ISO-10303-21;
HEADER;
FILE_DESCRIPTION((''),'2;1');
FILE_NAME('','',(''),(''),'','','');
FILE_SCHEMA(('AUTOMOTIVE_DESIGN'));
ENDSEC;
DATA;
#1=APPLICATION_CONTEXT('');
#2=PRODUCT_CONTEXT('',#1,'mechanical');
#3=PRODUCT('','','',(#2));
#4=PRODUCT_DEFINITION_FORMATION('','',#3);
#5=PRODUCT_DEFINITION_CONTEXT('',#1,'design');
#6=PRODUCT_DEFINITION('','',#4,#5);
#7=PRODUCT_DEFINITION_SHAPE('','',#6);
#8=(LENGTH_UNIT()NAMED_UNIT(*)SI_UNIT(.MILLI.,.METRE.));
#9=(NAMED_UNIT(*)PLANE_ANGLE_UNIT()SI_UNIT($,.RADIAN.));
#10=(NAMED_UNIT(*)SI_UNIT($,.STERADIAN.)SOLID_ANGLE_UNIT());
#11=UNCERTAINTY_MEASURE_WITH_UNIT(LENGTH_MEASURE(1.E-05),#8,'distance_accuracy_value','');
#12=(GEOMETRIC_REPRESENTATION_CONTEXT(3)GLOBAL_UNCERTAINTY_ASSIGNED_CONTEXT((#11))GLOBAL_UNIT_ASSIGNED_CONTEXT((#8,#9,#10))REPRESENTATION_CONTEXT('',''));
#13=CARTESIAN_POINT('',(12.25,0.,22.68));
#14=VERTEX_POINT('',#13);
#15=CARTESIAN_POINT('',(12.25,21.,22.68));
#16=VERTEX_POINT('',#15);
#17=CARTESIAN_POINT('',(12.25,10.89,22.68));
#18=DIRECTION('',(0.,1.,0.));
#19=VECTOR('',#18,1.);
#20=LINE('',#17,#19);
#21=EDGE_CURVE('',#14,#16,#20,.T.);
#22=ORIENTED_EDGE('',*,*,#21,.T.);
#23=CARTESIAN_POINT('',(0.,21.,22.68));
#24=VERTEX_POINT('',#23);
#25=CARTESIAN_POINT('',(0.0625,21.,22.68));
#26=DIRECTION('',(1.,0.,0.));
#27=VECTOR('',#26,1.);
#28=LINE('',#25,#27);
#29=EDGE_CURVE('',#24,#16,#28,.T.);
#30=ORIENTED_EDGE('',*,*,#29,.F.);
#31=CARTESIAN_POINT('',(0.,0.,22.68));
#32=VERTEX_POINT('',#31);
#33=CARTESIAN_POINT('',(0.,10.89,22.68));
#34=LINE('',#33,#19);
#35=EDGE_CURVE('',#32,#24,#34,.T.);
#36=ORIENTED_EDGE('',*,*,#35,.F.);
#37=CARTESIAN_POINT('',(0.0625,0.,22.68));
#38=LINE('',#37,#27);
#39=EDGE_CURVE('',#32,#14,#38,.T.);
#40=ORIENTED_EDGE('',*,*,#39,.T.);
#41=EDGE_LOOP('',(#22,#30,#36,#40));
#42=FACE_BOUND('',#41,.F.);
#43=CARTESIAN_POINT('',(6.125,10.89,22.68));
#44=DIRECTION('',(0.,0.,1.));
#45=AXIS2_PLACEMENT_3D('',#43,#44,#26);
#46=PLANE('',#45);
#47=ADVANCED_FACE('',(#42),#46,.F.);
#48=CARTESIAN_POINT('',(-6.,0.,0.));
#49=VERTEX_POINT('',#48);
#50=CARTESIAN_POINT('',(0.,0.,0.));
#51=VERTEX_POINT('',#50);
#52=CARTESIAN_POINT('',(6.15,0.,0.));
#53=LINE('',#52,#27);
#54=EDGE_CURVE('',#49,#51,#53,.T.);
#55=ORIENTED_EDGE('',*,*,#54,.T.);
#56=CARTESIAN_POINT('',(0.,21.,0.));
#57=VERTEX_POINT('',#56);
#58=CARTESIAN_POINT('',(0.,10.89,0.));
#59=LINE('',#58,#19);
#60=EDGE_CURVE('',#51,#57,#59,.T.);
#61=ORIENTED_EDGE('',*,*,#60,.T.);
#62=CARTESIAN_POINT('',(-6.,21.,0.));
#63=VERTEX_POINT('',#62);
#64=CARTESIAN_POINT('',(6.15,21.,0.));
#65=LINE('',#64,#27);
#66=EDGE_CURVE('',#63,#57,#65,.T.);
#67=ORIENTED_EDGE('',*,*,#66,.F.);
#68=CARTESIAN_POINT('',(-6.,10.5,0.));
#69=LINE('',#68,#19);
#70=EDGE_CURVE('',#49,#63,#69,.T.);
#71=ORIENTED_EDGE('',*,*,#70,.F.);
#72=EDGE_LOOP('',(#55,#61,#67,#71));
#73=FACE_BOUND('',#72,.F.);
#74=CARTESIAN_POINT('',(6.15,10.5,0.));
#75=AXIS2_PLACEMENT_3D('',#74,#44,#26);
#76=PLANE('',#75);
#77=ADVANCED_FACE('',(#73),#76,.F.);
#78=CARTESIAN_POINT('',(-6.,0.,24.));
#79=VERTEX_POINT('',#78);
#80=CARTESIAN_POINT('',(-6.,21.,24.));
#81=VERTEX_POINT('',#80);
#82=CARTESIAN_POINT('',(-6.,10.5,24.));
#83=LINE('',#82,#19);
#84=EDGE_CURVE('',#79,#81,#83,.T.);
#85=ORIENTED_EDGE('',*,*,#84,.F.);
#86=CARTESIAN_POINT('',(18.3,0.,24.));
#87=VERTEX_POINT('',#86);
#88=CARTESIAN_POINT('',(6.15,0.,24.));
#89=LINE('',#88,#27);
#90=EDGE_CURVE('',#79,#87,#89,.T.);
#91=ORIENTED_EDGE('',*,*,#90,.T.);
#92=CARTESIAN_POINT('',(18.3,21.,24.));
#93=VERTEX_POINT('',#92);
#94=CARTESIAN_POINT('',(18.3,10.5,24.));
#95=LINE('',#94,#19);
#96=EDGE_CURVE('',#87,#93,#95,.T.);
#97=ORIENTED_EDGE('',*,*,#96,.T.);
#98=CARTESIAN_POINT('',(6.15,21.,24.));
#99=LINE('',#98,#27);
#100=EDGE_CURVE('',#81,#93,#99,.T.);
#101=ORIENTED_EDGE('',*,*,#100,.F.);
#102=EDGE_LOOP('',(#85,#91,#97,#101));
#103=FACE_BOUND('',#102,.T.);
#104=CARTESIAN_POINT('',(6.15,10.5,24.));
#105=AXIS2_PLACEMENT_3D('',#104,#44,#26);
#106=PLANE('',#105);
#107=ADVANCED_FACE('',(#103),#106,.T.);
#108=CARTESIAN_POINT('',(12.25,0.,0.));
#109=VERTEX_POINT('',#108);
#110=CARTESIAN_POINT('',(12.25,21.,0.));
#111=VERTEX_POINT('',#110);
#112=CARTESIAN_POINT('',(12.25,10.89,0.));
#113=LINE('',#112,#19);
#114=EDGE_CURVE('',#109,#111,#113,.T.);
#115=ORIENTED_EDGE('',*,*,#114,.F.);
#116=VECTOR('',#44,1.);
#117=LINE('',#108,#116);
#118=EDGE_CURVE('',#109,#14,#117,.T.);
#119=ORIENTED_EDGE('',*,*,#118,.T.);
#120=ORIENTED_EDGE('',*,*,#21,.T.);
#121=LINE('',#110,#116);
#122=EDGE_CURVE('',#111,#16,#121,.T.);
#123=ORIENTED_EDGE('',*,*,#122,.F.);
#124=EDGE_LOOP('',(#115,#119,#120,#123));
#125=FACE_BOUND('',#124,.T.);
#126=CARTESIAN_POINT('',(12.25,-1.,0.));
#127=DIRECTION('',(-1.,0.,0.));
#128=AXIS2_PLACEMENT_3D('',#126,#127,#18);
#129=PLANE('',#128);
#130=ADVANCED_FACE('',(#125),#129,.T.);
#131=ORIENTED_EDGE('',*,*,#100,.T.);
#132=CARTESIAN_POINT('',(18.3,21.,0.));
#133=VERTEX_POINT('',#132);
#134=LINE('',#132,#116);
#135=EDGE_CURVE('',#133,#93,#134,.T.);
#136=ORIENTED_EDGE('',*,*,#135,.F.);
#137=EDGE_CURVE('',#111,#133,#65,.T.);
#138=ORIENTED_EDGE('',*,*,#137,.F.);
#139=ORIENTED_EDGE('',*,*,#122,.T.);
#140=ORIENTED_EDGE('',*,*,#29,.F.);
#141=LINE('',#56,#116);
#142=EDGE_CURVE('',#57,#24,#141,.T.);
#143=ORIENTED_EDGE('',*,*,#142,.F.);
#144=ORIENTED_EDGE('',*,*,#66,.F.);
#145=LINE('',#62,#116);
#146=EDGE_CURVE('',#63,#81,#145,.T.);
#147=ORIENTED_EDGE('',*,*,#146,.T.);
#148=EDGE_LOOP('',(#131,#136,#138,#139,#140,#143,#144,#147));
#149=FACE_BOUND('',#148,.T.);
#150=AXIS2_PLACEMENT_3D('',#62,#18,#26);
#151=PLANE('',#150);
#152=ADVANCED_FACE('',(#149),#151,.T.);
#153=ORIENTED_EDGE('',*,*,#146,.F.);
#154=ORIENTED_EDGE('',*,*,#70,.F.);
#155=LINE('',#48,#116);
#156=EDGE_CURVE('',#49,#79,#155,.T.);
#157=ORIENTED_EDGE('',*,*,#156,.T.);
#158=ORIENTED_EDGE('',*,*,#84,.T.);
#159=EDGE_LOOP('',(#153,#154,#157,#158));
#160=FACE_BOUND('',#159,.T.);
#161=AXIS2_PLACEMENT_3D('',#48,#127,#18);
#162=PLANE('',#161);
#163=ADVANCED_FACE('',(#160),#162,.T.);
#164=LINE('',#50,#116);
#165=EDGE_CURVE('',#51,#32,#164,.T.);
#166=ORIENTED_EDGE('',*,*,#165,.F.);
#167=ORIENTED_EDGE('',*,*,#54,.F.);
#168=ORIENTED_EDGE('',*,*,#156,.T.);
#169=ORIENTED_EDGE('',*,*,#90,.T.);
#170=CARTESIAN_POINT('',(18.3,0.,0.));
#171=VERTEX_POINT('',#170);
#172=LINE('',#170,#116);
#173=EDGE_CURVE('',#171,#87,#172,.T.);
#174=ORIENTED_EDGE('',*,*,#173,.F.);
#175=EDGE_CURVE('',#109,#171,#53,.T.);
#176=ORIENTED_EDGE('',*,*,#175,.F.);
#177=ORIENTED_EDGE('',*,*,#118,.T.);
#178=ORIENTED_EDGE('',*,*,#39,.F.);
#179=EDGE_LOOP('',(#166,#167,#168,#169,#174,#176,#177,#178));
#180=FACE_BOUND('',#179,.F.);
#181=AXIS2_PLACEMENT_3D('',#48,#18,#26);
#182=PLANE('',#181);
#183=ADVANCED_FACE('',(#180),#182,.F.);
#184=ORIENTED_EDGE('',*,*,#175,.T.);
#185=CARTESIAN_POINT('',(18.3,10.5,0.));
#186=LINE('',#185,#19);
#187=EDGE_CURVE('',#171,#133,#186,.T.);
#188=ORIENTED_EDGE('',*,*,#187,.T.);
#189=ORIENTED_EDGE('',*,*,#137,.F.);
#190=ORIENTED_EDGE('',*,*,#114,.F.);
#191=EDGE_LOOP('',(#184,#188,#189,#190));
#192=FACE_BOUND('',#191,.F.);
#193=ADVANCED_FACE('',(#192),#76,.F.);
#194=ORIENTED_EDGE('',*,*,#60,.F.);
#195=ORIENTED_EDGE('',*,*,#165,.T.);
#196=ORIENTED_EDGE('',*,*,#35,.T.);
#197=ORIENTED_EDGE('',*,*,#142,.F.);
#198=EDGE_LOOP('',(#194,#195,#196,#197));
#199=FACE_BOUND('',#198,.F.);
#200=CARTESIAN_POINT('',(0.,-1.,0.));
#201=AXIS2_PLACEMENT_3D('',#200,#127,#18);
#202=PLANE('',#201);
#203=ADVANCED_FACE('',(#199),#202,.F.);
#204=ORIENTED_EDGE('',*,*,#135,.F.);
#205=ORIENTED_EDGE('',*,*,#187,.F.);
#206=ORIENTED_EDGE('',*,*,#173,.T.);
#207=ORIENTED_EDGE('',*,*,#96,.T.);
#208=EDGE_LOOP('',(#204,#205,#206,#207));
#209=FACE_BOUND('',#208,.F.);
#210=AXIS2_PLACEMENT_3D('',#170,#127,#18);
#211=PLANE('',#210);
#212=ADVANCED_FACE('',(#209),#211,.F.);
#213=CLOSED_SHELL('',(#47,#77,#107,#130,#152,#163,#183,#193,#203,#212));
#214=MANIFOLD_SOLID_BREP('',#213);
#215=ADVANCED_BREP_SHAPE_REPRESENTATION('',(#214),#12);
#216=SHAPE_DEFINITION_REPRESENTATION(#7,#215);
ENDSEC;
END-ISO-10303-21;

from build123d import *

# Parameters (mm, degrees)
BOX003_W     = 12.25
BOX003_H     = 23.78
BOX003_DEPTH = 22.68
BOX004_W     = 24.3
BOX004_H     = 21
BOX004_DEPTH = 24


with BuildPart() as servo001:
    # Box003 → Box003 (new body)
    with BuildSketch(Plane(origin=(0, -1, 0), x_dir=(1, 0, 0), z_dir=(0, 0, 1))):
        with Locations((6.125, 11.89)):
            Rectangle(BOX003_W, BOX003_H)
    extrude(amount=BOX003_DEPTH)


with BuildPart() as cut001:
    # Box004 → Box004 (new body)
    with BuildSketch(Plane(origin=(-6, 0, 0), x_dir=(1, 0, 0), z_dir=(0, 0, 1))):
        with Locations((12.15, 10.5)):
            Rectangle(BOX004_W, BOX004_H)
    extrude(amount=BOX004_DEPTH)

    # Cut001: cut servo001
    add(servo001.part, mode=Mode.SUBTRACT)


solid = cut001.part
